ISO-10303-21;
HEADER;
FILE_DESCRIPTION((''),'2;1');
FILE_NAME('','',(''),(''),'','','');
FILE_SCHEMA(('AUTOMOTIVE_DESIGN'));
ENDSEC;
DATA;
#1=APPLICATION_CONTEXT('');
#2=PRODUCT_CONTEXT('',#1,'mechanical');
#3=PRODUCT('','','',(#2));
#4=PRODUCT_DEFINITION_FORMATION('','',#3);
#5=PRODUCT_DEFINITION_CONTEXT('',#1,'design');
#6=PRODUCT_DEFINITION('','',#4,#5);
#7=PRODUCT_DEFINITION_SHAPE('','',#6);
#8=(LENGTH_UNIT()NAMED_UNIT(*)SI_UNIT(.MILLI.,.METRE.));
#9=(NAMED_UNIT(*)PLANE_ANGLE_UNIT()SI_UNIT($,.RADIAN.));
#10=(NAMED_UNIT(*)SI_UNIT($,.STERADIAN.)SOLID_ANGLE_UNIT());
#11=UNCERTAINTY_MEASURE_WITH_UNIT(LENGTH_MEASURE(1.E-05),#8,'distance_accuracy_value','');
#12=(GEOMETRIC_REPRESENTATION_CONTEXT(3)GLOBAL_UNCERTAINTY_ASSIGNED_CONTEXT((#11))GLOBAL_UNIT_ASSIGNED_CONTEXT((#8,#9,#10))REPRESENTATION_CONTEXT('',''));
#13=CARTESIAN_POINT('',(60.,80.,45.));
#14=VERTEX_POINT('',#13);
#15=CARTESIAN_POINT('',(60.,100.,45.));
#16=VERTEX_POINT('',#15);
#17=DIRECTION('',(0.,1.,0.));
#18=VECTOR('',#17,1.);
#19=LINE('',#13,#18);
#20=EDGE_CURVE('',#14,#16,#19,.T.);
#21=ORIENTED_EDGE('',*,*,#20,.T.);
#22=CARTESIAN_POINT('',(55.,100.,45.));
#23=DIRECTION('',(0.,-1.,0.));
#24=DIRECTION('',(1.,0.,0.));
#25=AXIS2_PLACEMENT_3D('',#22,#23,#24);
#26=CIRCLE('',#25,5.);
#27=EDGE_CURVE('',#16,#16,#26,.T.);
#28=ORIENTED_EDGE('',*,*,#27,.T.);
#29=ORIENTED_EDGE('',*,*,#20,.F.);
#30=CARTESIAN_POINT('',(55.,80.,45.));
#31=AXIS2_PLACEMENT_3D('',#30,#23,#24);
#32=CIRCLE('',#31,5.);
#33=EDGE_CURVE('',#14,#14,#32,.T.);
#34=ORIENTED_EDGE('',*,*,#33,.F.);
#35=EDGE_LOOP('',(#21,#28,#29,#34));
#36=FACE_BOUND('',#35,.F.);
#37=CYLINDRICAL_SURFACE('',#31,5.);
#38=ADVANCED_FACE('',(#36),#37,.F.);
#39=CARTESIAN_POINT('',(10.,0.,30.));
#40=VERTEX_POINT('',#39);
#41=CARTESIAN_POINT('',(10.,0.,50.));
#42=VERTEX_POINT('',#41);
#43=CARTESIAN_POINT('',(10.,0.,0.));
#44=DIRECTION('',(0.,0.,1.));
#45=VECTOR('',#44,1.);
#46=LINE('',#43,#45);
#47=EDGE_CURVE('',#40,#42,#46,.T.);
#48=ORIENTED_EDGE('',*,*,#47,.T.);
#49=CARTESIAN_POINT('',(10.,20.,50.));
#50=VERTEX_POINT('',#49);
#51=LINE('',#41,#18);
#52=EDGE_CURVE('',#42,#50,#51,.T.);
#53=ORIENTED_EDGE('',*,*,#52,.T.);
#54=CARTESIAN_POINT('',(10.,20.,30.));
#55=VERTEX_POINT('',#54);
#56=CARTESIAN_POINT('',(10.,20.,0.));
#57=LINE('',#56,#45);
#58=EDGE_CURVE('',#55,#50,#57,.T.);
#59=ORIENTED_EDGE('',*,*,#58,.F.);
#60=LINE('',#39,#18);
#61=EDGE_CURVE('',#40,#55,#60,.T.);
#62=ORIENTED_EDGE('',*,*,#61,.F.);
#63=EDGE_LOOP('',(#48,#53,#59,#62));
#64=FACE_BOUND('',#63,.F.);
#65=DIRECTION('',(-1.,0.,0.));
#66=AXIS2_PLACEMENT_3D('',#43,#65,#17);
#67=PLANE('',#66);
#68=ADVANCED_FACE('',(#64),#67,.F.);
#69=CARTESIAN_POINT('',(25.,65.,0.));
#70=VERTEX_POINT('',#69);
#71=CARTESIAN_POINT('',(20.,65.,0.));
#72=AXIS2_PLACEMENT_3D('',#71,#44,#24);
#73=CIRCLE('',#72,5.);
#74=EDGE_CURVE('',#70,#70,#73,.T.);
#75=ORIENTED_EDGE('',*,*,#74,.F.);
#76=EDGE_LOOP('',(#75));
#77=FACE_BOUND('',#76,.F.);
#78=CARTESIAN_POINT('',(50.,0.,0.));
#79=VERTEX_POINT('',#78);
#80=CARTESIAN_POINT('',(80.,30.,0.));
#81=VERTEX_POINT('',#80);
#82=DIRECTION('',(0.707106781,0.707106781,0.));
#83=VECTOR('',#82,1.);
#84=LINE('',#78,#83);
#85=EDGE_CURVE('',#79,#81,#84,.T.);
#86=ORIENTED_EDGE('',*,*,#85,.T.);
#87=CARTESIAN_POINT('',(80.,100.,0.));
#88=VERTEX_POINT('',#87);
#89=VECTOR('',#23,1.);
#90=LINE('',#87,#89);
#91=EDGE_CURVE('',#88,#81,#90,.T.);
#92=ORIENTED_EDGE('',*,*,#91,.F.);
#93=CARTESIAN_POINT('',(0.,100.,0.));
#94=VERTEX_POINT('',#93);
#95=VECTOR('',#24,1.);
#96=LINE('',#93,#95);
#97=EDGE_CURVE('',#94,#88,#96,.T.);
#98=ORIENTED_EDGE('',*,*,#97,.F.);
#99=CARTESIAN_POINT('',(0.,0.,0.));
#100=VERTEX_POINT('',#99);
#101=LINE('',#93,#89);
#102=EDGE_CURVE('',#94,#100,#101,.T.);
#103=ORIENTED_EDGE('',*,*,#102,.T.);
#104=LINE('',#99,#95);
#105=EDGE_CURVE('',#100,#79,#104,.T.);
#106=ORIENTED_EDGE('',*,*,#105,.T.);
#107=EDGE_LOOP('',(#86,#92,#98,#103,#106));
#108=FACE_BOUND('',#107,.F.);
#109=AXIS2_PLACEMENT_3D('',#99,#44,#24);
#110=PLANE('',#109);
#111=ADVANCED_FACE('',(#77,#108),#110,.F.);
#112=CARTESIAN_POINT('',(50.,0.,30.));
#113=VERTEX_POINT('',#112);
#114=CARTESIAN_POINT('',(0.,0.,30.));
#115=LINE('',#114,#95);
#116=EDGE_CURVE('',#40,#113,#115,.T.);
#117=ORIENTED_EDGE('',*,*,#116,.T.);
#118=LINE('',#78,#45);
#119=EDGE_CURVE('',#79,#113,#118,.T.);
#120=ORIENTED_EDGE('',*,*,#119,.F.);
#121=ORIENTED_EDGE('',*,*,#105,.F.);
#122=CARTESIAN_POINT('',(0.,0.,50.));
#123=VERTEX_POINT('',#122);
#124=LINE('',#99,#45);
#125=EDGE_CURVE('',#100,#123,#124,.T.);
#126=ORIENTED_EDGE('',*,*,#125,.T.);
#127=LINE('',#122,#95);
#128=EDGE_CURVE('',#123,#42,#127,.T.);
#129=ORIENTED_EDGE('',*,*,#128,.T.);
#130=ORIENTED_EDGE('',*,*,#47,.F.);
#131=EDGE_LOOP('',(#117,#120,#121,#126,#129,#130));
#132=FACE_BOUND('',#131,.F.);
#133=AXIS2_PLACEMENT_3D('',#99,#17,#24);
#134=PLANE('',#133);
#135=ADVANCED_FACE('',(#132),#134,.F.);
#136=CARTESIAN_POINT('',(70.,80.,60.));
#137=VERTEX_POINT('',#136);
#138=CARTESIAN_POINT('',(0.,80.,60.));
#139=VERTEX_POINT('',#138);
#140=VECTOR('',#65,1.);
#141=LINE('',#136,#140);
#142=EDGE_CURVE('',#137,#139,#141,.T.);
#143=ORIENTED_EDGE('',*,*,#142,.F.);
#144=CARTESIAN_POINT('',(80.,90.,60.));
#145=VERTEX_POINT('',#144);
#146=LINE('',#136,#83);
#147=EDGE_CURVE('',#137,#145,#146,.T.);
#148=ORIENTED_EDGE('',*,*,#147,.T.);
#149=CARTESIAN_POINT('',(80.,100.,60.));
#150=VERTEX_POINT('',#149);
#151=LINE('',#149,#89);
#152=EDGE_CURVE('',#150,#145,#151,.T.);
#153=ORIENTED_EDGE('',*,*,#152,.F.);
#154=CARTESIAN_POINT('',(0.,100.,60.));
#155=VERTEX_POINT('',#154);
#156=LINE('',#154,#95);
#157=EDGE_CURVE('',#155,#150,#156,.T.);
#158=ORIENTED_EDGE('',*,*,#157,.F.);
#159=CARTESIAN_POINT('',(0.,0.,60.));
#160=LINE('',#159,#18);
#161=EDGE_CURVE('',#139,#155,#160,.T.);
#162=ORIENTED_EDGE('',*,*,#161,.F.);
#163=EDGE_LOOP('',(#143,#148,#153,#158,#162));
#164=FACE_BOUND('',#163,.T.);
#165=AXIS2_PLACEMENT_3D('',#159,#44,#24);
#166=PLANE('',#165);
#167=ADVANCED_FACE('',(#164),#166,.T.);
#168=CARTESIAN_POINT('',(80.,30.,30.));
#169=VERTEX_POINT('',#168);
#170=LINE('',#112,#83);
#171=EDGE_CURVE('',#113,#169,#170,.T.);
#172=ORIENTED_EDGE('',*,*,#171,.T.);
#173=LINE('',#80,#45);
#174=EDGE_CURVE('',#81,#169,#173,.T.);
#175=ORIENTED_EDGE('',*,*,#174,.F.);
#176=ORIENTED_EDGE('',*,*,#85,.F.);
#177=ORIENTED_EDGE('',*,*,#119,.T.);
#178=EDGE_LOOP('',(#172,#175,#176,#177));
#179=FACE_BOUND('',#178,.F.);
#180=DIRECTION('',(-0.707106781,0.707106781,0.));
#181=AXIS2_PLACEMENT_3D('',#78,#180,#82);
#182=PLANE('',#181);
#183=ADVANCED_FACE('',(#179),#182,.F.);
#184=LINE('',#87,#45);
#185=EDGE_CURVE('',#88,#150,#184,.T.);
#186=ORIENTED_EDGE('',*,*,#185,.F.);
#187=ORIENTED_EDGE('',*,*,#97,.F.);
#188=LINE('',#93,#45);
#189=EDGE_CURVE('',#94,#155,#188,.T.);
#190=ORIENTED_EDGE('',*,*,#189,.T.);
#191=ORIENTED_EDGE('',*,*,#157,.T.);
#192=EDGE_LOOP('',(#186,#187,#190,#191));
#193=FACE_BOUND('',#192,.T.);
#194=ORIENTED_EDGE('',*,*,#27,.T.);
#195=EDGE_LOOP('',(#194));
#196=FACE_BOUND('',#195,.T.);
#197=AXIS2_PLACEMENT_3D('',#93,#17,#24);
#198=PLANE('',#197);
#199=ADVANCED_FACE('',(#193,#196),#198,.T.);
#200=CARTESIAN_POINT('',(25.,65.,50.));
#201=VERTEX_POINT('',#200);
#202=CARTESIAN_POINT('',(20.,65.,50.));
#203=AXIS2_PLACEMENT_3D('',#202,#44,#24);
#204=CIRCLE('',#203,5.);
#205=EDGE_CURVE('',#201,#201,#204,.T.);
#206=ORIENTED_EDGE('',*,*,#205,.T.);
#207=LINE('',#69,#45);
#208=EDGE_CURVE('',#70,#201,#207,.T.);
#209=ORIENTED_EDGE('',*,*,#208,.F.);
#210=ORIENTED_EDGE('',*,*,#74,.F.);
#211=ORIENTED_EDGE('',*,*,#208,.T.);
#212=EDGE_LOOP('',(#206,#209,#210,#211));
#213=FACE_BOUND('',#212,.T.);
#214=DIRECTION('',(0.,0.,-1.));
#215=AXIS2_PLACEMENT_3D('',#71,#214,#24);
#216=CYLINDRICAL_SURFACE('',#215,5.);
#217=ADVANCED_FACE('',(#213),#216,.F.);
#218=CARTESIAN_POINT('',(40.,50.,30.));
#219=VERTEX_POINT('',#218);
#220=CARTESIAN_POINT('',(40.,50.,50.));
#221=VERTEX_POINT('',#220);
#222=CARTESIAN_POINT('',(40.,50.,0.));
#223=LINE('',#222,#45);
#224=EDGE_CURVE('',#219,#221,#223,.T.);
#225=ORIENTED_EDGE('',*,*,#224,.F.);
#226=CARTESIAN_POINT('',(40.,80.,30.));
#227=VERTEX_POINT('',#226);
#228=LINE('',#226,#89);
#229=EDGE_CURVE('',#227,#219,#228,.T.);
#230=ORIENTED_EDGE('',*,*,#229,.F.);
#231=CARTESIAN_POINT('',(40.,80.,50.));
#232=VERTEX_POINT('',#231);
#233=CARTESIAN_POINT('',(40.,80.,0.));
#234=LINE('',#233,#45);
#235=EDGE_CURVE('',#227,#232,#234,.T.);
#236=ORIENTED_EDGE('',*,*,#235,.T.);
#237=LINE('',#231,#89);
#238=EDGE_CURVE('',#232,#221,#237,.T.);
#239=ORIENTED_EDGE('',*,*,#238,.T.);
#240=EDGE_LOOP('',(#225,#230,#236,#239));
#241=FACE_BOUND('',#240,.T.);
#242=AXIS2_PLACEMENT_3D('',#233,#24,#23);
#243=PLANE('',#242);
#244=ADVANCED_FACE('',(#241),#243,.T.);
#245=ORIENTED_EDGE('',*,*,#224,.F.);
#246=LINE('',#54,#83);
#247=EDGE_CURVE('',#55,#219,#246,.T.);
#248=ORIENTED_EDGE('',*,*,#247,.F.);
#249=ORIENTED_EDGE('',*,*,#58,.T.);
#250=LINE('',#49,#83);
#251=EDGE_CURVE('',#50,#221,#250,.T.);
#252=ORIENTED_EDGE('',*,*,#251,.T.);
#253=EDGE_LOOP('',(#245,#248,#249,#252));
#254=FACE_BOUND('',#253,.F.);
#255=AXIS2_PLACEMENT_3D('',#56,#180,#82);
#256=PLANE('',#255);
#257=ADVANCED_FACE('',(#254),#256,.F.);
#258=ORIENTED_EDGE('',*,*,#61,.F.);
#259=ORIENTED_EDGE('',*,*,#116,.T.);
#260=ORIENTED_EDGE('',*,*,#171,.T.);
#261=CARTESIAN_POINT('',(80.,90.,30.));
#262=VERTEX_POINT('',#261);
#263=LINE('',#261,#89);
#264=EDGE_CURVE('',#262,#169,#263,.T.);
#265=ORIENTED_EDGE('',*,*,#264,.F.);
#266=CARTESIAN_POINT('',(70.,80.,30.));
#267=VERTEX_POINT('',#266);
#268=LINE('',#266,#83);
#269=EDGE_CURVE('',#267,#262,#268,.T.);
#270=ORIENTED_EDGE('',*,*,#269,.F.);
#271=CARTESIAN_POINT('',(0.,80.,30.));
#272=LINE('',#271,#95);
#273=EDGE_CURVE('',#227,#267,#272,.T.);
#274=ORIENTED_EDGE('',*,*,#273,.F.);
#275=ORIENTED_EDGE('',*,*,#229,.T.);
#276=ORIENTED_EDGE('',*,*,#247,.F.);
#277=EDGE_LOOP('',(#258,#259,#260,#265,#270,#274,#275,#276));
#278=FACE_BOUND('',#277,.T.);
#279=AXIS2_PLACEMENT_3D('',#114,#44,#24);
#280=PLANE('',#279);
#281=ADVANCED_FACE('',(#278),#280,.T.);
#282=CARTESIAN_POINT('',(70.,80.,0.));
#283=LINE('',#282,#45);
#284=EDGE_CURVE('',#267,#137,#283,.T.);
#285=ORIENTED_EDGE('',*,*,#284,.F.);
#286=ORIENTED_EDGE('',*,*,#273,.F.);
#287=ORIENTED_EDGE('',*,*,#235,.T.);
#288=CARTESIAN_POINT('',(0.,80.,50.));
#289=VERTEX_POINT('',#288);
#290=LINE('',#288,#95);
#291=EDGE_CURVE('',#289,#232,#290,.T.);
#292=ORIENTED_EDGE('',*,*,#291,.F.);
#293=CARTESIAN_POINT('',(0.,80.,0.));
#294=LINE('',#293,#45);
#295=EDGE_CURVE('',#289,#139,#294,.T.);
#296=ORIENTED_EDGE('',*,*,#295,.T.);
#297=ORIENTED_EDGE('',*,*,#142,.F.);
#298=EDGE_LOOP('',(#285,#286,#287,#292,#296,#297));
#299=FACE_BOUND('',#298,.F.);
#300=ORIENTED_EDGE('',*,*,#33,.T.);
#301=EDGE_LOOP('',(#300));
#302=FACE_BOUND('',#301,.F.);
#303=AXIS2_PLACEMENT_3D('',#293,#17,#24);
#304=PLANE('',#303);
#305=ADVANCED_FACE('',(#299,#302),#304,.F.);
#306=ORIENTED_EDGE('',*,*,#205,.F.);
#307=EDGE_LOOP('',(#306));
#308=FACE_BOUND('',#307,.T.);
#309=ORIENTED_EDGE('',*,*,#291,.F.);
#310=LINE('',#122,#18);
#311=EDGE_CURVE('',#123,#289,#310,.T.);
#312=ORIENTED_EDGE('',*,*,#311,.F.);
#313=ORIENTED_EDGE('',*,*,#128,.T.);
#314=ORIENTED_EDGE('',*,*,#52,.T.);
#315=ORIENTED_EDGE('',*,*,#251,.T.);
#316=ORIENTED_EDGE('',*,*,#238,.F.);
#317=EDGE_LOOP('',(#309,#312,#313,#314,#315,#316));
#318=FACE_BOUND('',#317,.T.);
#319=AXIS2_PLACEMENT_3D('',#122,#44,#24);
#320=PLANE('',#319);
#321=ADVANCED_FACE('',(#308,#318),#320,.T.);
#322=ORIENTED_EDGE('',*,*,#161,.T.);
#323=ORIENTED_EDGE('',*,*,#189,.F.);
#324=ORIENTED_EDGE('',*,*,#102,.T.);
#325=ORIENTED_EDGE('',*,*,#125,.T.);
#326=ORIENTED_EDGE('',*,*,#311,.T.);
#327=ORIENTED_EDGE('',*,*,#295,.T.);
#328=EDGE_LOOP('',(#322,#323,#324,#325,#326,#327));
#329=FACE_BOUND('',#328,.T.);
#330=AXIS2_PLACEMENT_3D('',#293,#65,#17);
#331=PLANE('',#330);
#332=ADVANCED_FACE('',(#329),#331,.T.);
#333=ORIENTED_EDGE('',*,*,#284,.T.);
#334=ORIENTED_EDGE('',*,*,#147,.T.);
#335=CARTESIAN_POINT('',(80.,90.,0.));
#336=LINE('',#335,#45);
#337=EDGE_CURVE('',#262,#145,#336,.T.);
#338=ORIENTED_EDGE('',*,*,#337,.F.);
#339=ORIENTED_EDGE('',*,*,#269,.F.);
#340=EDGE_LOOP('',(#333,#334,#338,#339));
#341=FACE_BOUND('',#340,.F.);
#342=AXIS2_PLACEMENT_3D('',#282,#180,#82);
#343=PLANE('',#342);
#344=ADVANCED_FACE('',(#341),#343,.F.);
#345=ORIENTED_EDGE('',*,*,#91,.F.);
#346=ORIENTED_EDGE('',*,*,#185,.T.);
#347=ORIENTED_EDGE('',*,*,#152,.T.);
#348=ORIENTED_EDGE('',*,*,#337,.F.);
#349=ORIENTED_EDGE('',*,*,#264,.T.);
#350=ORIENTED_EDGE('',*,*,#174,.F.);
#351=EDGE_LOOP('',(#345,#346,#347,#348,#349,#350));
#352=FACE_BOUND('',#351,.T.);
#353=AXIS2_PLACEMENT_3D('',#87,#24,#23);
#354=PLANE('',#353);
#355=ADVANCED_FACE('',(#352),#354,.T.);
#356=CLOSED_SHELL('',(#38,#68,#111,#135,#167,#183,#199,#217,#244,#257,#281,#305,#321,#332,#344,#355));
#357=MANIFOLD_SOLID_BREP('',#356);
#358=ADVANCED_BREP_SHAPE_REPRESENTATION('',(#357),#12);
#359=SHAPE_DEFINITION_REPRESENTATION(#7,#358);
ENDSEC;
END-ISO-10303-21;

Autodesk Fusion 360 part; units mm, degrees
sketch "Sketch1" plane through (0, 0, 0) normal (0, 0, 1) x (1, 0, 0)
  line L0 (0, 0) -> (50, 0)
  line L1 (0, 0) -> (0, 100)
  line L2 (0, 100) -> (80, 100)
  line L3 (80, 100) -> (80, 90)
  line L4 (80, 90) -> (80, 30)
  line L5 (50, 0) -> (80, 30)
  line L6 (0, 0) -> (10, 0)
  line L7 (10, 0) -> (10, 20)
  line L8 (0, 100) -> (0, 80)
  line L9 (0, 80) -> (70, 80)
  line L10 (70, 80) -> (80, 90)
  line L11 (0, 80) -> (40, 80)
  line L12 (40, 80) -> (40, 50)
  line L13 (10, 20) -> (40, 50)
  circle A0 centre (20, 65) radius 5
extrude "Extrude1" add sketch "Sketch1" along normal blind 50 contours L0 L1 L6 L7 L9 L11 L12 L13
extrude "Extrude2" add sketch "Sketch1" along normal blind 30 contours L0 L4 L5 L7 L9 L10 L12 L13
extrude "Extrude3" add sketch "Sketch1" along normal blind 60 contours L1 L2 L3 L8 L9 L10 L11
sketch "Sketch2" plane through (0, 80, 0) normal (0, -1, 0) x (1, 0, 0)
  line L0 (40, 30) -> (70, 30)
  line L1 (70, 30) -> (70, 60)
  line L2 (70, 60) -> (0, 60)
  line L3 (0, 60) -> (0, 50)
  line L4 (0, 50) -> (40, 50)
  line L5 (40, 50) -> (40, 30)
  circle A0 centre (55, 45) radius 5
extrude "Extrude4" cut sketch "Sketch2" against normal blind 40 contours A0
